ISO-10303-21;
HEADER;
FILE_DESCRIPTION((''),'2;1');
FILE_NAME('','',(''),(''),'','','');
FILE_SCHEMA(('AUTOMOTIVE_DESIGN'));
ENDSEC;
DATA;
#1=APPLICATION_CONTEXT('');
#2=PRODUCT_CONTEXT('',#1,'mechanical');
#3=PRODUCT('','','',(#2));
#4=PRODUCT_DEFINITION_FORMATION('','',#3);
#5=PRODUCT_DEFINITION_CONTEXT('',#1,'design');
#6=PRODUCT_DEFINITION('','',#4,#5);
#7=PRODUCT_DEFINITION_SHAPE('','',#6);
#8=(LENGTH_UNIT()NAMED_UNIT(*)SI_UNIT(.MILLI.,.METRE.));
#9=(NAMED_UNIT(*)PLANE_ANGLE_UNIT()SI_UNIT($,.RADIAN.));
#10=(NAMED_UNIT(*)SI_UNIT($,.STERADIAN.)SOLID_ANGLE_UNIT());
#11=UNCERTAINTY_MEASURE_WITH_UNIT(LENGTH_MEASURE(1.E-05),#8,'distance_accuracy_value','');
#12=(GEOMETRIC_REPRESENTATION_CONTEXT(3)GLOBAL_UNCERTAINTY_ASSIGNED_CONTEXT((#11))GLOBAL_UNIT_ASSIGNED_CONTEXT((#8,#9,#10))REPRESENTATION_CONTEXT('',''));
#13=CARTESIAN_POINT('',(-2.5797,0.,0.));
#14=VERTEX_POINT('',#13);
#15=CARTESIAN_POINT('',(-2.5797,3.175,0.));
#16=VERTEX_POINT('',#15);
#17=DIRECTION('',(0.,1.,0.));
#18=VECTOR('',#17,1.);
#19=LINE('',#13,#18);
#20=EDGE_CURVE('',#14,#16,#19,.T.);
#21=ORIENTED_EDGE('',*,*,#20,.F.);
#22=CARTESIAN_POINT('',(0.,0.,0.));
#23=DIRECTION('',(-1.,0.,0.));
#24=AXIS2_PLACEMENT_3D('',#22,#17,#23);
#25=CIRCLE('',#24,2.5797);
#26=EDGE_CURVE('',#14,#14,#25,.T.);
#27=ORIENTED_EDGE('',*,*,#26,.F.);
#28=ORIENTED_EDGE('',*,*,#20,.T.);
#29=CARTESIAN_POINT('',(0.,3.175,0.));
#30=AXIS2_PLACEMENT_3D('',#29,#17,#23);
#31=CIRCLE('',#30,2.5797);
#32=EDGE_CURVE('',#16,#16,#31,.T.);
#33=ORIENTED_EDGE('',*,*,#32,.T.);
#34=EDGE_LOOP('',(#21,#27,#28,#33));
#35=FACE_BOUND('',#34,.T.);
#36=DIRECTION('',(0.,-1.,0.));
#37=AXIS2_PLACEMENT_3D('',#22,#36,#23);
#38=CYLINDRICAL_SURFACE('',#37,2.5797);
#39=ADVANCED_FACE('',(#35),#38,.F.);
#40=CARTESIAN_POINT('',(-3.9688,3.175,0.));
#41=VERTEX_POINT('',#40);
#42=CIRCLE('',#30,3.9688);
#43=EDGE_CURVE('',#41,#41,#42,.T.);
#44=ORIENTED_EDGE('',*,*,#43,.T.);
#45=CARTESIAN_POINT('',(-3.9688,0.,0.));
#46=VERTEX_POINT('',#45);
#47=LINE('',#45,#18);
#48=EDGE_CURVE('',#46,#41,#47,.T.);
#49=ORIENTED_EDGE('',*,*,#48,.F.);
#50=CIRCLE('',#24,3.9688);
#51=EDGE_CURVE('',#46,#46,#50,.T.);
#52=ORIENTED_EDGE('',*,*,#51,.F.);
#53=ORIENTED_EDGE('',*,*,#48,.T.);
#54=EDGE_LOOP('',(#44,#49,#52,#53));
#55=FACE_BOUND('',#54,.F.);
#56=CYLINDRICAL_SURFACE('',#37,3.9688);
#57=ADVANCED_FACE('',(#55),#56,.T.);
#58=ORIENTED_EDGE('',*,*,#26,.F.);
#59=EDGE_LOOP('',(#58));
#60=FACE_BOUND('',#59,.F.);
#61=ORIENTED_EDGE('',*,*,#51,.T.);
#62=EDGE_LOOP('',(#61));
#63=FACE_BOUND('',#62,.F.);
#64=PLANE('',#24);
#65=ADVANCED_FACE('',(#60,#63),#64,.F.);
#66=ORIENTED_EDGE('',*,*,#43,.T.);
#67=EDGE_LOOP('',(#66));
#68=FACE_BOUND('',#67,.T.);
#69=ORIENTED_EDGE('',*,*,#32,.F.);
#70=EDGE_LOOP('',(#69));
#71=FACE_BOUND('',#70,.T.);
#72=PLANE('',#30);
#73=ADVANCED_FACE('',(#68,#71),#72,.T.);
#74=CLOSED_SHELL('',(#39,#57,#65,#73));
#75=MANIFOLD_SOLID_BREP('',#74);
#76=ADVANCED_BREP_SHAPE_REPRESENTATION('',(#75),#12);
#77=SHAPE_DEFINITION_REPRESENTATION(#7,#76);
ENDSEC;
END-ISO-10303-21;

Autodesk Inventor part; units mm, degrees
ref_plane "YZ Plane" through (0, 0, 0) normal (1, 0, 0) x (0, 1, 0)
ref_plane "XZ Plane" through (0, 0, 0) normal (0, 1, 0) x (-1, 0, 0)
ref_plane "XY Plane" through (0, 0, 0) normal (0, 0, 1) x (1, 0, 0)
sketch "Sketch1" plane through (0, 0, 0) normal (0, 1, 0) x (-1, 0, 0)
  circle A0 centre (0, 0) radius 3.9688
  circle A1 centre (0, 0) radius 2.5797
  dimension "d0" = 7.9375
  dimension "d1" = 5.1594
extrude "Extrusion1" add sketch "Sketch1" along normal blind 3.175
properties part number "bolt spacer for vp falcon"
